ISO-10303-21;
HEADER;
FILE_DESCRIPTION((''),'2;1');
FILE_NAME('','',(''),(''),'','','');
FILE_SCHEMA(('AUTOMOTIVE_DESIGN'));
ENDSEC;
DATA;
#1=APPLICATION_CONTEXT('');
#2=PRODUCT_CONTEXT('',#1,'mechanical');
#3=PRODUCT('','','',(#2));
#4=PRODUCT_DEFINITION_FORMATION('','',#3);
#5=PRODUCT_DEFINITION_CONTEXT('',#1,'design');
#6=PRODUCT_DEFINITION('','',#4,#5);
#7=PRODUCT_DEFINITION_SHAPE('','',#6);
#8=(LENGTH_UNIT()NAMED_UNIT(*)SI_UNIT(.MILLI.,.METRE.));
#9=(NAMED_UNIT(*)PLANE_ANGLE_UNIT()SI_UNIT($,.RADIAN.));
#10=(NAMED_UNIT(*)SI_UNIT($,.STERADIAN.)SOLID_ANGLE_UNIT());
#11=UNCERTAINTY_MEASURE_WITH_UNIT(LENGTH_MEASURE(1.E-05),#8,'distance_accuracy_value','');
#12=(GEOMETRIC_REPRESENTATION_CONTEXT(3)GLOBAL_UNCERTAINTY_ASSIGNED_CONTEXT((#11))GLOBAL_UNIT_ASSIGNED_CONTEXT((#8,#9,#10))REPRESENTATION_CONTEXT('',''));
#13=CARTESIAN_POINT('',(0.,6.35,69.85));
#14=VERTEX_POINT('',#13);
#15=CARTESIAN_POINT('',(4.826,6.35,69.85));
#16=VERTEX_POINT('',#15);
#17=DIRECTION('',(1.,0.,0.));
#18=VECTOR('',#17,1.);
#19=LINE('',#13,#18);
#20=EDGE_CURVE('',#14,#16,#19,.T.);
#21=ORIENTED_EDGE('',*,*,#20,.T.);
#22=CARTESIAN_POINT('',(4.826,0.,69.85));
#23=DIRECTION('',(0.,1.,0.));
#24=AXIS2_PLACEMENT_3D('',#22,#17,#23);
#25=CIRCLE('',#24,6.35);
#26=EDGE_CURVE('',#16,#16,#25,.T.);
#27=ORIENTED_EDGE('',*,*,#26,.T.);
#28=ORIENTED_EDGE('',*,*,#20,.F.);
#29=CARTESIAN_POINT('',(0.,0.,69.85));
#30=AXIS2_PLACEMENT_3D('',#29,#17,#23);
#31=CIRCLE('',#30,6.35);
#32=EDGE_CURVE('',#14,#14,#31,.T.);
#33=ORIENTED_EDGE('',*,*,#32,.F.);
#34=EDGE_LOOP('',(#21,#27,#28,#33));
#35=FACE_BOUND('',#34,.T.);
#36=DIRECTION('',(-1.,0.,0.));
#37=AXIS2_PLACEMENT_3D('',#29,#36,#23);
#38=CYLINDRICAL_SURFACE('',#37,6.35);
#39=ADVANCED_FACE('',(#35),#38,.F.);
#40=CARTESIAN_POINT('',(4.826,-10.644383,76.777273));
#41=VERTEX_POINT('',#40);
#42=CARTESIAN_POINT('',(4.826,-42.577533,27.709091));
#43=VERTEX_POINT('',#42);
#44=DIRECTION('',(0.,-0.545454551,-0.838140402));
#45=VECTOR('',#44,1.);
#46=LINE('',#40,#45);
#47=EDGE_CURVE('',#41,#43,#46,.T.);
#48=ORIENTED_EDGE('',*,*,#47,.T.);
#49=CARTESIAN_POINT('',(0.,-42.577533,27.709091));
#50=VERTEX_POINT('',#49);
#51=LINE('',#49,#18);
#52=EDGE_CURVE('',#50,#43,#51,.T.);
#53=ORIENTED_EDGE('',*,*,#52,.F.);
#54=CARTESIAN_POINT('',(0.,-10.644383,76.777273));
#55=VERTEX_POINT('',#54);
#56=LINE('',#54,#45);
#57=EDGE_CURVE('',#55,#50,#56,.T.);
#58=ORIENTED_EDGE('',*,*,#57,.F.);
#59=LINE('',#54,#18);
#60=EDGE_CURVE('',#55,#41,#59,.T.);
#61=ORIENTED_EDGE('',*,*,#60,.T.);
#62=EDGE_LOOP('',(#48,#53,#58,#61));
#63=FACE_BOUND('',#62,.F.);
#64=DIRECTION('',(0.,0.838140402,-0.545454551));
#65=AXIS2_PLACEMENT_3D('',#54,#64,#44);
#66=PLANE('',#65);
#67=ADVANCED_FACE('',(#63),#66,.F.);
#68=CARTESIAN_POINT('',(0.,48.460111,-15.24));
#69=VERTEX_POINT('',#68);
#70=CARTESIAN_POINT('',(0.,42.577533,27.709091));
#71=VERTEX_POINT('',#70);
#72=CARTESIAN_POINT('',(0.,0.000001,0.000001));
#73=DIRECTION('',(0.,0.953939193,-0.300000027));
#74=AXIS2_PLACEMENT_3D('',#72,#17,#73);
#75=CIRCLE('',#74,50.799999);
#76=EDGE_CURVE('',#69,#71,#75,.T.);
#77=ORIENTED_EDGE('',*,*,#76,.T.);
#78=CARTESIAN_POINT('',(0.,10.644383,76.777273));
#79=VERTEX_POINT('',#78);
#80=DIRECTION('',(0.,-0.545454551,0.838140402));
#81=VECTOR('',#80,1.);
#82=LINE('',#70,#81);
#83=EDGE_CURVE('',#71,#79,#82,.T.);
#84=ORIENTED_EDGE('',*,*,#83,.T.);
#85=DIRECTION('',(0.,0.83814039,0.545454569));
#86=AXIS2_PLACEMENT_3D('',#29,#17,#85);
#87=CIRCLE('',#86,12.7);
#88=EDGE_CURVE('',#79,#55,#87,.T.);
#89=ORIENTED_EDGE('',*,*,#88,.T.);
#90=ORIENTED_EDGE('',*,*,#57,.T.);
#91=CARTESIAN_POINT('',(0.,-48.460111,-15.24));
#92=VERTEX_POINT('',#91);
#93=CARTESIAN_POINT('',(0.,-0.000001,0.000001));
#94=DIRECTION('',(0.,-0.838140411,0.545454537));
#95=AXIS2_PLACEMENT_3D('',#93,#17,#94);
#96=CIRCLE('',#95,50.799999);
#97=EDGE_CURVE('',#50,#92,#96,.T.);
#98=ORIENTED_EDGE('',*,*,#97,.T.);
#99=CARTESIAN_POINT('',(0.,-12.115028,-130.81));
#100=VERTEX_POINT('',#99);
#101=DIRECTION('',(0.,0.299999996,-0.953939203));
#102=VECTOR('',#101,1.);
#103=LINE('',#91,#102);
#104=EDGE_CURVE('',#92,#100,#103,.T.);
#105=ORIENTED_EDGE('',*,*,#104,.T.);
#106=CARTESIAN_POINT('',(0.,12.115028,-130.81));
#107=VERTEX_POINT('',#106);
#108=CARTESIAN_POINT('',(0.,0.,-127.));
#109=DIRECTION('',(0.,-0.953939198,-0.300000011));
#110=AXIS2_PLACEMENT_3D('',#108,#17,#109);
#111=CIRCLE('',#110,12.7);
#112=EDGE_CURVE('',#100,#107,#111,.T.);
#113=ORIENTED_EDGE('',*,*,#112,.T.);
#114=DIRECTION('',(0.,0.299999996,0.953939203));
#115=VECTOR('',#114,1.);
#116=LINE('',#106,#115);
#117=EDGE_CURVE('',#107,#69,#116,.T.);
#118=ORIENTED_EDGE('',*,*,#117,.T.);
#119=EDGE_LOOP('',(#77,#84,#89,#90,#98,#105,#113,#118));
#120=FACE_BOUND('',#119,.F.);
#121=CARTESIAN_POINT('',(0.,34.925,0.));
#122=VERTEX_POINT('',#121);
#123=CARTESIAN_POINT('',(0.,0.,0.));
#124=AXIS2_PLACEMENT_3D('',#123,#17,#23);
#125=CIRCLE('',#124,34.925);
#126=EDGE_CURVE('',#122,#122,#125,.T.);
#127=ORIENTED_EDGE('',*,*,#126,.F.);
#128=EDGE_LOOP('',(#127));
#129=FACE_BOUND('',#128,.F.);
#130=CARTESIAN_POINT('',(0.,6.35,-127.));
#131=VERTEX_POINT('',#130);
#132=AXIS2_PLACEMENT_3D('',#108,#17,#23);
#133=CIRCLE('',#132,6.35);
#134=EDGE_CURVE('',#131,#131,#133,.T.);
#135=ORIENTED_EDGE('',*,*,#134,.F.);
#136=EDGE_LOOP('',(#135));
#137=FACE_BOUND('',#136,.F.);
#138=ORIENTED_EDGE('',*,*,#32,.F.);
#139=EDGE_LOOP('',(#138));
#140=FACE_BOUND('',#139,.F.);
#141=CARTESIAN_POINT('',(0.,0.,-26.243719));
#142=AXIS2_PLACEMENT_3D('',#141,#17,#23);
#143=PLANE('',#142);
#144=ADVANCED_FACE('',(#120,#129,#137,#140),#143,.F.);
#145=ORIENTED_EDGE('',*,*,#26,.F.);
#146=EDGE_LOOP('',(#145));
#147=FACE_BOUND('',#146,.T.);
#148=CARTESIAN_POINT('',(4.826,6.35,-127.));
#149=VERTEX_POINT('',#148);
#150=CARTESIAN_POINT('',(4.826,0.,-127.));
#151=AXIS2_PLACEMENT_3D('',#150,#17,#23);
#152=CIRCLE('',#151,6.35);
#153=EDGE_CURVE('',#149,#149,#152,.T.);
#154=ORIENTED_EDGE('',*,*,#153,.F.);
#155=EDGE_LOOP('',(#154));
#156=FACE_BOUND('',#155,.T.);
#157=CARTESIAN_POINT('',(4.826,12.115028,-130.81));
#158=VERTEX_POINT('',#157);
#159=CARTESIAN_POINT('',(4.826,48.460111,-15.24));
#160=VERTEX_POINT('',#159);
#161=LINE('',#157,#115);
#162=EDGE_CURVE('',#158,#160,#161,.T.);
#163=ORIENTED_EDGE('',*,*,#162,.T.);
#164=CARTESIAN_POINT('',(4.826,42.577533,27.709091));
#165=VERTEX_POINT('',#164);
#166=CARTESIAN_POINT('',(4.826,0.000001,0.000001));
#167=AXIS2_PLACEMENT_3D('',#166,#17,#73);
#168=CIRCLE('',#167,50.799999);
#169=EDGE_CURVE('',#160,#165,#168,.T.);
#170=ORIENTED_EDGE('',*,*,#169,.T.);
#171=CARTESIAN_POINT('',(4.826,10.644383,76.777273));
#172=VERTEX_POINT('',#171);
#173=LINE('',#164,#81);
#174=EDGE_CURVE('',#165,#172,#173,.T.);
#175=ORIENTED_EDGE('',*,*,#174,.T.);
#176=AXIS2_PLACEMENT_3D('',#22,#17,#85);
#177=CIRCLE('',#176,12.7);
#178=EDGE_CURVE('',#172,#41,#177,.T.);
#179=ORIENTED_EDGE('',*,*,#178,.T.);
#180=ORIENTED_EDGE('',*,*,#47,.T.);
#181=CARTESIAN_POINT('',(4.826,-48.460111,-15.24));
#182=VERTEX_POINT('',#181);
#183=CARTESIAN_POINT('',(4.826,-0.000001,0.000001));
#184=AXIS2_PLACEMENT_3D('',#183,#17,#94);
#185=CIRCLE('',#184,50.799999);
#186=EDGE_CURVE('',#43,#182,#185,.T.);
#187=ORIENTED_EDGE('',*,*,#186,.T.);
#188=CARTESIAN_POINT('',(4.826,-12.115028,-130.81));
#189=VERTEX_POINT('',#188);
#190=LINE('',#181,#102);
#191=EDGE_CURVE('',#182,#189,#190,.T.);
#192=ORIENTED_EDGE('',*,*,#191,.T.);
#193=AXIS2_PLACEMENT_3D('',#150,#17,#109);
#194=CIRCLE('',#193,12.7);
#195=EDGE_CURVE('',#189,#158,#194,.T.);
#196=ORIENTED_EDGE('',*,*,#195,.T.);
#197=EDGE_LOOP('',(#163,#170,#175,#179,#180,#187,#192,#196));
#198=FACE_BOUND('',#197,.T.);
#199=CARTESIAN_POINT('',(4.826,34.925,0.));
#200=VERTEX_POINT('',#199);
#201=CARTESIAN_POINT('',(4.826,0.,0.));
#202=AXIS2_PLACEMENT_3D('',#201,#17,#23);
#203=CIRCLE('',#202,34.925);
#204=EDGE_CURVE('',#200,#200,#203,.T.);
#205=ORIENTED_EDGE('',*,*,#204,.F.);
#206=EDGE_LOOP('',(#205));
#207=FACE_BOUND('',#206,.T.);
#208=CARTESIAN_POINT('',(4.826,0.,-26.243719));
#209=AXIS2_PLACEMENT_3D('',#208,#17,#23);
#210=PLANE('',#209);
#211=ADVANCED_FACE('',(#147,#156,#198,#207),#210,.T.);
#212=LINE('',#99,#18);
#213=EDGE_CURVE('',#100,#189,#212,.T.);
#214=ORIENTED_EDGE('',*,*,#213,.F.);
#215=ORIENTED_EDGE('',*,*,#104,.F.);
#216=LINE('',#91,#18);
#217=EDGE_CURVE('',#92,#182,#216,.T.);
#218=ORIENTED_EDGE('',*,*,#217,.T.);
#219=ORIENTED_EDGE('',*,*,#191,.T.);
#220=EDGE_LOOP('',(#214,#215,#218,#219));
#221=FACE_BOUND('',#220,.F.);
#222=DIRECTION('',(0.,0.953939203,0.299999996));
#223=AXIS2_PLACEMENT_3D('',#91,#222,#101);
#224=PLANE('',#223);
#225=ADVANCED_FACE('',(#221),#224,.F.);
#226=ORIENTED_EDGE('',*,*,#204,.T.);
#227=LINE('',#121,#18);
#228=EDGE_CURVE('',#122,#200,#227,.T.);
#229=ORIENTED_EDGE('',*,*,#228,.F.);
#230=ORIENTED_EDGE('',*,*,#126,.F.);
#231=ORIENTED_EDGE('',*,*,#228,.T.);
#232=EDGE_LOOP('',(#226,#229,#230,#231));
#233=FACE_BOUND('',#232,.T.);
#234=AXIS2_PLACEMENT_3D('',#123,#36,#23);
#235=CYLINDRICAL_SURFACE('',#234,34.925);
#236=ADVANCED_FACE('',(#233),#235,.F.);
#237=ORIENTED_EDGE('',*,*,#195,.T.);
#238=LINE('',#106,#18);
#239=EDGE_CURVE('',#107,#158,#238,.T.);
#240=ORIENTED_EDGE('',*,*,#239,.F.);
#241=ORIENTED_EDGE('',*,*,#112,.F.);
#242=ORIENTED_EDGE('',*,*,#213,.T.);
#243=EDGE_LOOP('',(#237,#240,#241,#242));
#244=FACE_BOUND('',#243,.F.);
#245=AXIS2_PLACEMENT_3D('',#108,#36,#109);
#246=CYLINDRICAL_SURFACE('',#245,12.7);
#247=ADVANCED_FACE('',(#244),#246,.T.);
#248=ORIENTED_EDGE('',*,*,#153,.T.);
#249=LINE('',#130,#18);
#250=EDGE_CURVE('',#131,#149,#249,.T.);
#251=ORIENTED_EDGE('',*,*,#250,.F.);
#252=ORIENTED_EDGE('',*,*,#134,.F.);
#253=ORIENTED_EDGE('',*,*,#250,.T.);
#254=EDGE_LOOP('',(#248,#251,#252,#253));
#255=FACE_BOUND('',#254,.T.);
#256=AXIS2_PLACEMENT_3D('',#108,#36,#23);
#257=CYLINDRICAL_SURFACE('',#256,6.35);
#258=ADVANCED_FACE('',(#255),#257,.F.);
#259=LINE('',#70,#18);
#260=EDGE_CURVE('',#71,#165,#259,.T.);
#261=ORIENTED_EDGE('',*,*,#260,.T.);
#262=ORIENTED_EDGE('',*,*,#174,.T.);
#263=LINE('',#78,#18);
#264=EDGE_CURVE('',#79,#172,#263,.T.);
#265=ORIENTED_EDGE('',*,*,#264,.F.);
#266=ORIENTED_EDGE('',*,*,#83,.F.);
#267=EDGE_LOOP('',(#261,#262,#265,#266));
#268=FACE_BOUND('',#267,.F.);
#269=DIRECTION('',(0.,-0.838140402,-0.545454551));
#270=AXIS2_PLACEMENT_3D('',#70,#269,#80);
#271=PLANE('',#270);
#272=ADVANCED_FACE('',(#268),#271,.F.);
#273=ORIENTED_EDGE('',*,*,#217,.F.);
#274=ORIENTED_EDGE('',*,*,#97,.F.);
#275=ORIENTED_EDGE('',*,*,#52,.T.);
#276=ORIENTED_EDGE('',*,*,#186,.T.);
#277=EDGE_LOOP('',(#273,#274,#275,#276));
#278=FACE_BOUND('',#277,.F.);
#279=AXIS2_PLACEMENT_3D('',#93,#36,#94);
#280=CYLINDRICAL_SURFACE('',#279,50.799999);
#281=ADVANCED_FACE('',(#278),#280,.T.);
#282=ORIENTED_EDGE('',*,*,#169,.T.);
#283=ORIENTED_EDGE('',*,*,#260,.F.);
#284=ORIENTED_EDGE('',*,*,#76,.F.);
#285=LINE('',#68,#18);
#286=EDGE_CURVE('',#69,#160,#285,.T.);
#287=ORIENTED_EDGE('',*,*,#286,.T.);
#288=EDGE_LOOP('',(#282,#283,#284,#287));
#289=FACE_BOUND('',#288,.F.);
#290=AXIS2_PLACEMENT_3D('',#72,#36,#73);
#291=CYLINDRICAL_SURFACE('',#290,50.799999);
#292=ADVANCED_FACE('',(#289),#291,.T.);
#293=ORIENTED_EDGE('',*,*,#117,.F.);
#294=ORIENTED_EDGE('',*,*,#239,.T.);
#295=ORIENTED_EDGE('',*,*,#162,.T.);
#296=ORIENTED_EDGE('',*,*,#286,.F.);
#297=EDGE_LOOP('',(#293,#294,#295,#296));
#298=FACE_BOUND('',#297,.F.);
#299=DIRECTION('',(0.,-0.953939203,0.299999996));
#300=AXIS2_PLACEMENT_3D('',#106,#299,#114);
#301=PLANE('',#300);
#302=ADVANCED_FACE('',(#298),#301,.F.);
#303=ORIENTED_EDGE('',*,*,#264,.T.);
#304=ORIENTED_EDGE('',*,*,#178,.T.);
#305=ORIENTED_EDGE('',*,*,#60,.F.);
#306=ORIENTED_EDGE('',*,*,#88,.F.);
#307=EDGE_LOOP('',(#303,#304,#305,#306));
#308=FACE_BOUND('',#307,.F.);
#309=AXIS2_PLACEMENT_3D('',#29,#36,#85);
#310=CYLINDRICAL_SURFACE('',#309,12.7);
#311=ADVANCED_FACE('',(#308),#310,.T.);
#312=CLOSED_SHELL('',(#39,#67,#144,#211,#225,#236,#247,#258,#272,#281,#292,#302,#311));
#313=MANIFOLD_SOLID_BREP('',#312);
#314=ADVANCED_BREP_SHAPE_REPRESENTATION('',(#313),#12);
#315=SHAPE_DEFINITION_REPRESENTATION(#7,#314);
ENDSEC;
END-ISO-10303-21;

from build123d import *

# Parameters (mm, degrees)
F0_R     = 6.35
F0_R_2   = 34.925
F1_DEPTH = 4.826


with BuildPart() as f1:
    # F0 (on Right) → F1 (new body)
    with BuildSketch(Plane.YZ):
        with BuildLine():
            Line((-10.644383, 76.777273), (-42.577533, 27.709091))
            ThreePointArc((-42.577533, 27.709091), (-50.330103, 6.893529), (-48.460111, -15.24))
            Line((-48.460111, -15.24), (-12.115028, -130.81))
            ThreePointArc((-12.115028, -130.81), (0, -139.7), (12.115028, -130.81))
            Line((12.115028, -130.81), (48.460111, -15.24))
            ThreePointArc((48.460111, -15.24), (50.330103, 6.893529), (42.577533, 27.709091))
            Line((42.577533, 27.709091), (10.644383, 76.777273))
            ThreePointArc((10.644383, 76.777273), (0, 82.55), (-10.644383, 76.777273))
        make_face()
        with Locations((0, -127)):
            Circle(F0_R, mode=Mode.SUBTRACT)
        Circle(F0_R_2, mode=Mode.SUBTRACT)
        with Locations((0, 69.85)):
            Circle(F0_R, mode=Mode.SUBTRACT)
    extrude(amount=F1_DEPTH)


solid = f1.part
